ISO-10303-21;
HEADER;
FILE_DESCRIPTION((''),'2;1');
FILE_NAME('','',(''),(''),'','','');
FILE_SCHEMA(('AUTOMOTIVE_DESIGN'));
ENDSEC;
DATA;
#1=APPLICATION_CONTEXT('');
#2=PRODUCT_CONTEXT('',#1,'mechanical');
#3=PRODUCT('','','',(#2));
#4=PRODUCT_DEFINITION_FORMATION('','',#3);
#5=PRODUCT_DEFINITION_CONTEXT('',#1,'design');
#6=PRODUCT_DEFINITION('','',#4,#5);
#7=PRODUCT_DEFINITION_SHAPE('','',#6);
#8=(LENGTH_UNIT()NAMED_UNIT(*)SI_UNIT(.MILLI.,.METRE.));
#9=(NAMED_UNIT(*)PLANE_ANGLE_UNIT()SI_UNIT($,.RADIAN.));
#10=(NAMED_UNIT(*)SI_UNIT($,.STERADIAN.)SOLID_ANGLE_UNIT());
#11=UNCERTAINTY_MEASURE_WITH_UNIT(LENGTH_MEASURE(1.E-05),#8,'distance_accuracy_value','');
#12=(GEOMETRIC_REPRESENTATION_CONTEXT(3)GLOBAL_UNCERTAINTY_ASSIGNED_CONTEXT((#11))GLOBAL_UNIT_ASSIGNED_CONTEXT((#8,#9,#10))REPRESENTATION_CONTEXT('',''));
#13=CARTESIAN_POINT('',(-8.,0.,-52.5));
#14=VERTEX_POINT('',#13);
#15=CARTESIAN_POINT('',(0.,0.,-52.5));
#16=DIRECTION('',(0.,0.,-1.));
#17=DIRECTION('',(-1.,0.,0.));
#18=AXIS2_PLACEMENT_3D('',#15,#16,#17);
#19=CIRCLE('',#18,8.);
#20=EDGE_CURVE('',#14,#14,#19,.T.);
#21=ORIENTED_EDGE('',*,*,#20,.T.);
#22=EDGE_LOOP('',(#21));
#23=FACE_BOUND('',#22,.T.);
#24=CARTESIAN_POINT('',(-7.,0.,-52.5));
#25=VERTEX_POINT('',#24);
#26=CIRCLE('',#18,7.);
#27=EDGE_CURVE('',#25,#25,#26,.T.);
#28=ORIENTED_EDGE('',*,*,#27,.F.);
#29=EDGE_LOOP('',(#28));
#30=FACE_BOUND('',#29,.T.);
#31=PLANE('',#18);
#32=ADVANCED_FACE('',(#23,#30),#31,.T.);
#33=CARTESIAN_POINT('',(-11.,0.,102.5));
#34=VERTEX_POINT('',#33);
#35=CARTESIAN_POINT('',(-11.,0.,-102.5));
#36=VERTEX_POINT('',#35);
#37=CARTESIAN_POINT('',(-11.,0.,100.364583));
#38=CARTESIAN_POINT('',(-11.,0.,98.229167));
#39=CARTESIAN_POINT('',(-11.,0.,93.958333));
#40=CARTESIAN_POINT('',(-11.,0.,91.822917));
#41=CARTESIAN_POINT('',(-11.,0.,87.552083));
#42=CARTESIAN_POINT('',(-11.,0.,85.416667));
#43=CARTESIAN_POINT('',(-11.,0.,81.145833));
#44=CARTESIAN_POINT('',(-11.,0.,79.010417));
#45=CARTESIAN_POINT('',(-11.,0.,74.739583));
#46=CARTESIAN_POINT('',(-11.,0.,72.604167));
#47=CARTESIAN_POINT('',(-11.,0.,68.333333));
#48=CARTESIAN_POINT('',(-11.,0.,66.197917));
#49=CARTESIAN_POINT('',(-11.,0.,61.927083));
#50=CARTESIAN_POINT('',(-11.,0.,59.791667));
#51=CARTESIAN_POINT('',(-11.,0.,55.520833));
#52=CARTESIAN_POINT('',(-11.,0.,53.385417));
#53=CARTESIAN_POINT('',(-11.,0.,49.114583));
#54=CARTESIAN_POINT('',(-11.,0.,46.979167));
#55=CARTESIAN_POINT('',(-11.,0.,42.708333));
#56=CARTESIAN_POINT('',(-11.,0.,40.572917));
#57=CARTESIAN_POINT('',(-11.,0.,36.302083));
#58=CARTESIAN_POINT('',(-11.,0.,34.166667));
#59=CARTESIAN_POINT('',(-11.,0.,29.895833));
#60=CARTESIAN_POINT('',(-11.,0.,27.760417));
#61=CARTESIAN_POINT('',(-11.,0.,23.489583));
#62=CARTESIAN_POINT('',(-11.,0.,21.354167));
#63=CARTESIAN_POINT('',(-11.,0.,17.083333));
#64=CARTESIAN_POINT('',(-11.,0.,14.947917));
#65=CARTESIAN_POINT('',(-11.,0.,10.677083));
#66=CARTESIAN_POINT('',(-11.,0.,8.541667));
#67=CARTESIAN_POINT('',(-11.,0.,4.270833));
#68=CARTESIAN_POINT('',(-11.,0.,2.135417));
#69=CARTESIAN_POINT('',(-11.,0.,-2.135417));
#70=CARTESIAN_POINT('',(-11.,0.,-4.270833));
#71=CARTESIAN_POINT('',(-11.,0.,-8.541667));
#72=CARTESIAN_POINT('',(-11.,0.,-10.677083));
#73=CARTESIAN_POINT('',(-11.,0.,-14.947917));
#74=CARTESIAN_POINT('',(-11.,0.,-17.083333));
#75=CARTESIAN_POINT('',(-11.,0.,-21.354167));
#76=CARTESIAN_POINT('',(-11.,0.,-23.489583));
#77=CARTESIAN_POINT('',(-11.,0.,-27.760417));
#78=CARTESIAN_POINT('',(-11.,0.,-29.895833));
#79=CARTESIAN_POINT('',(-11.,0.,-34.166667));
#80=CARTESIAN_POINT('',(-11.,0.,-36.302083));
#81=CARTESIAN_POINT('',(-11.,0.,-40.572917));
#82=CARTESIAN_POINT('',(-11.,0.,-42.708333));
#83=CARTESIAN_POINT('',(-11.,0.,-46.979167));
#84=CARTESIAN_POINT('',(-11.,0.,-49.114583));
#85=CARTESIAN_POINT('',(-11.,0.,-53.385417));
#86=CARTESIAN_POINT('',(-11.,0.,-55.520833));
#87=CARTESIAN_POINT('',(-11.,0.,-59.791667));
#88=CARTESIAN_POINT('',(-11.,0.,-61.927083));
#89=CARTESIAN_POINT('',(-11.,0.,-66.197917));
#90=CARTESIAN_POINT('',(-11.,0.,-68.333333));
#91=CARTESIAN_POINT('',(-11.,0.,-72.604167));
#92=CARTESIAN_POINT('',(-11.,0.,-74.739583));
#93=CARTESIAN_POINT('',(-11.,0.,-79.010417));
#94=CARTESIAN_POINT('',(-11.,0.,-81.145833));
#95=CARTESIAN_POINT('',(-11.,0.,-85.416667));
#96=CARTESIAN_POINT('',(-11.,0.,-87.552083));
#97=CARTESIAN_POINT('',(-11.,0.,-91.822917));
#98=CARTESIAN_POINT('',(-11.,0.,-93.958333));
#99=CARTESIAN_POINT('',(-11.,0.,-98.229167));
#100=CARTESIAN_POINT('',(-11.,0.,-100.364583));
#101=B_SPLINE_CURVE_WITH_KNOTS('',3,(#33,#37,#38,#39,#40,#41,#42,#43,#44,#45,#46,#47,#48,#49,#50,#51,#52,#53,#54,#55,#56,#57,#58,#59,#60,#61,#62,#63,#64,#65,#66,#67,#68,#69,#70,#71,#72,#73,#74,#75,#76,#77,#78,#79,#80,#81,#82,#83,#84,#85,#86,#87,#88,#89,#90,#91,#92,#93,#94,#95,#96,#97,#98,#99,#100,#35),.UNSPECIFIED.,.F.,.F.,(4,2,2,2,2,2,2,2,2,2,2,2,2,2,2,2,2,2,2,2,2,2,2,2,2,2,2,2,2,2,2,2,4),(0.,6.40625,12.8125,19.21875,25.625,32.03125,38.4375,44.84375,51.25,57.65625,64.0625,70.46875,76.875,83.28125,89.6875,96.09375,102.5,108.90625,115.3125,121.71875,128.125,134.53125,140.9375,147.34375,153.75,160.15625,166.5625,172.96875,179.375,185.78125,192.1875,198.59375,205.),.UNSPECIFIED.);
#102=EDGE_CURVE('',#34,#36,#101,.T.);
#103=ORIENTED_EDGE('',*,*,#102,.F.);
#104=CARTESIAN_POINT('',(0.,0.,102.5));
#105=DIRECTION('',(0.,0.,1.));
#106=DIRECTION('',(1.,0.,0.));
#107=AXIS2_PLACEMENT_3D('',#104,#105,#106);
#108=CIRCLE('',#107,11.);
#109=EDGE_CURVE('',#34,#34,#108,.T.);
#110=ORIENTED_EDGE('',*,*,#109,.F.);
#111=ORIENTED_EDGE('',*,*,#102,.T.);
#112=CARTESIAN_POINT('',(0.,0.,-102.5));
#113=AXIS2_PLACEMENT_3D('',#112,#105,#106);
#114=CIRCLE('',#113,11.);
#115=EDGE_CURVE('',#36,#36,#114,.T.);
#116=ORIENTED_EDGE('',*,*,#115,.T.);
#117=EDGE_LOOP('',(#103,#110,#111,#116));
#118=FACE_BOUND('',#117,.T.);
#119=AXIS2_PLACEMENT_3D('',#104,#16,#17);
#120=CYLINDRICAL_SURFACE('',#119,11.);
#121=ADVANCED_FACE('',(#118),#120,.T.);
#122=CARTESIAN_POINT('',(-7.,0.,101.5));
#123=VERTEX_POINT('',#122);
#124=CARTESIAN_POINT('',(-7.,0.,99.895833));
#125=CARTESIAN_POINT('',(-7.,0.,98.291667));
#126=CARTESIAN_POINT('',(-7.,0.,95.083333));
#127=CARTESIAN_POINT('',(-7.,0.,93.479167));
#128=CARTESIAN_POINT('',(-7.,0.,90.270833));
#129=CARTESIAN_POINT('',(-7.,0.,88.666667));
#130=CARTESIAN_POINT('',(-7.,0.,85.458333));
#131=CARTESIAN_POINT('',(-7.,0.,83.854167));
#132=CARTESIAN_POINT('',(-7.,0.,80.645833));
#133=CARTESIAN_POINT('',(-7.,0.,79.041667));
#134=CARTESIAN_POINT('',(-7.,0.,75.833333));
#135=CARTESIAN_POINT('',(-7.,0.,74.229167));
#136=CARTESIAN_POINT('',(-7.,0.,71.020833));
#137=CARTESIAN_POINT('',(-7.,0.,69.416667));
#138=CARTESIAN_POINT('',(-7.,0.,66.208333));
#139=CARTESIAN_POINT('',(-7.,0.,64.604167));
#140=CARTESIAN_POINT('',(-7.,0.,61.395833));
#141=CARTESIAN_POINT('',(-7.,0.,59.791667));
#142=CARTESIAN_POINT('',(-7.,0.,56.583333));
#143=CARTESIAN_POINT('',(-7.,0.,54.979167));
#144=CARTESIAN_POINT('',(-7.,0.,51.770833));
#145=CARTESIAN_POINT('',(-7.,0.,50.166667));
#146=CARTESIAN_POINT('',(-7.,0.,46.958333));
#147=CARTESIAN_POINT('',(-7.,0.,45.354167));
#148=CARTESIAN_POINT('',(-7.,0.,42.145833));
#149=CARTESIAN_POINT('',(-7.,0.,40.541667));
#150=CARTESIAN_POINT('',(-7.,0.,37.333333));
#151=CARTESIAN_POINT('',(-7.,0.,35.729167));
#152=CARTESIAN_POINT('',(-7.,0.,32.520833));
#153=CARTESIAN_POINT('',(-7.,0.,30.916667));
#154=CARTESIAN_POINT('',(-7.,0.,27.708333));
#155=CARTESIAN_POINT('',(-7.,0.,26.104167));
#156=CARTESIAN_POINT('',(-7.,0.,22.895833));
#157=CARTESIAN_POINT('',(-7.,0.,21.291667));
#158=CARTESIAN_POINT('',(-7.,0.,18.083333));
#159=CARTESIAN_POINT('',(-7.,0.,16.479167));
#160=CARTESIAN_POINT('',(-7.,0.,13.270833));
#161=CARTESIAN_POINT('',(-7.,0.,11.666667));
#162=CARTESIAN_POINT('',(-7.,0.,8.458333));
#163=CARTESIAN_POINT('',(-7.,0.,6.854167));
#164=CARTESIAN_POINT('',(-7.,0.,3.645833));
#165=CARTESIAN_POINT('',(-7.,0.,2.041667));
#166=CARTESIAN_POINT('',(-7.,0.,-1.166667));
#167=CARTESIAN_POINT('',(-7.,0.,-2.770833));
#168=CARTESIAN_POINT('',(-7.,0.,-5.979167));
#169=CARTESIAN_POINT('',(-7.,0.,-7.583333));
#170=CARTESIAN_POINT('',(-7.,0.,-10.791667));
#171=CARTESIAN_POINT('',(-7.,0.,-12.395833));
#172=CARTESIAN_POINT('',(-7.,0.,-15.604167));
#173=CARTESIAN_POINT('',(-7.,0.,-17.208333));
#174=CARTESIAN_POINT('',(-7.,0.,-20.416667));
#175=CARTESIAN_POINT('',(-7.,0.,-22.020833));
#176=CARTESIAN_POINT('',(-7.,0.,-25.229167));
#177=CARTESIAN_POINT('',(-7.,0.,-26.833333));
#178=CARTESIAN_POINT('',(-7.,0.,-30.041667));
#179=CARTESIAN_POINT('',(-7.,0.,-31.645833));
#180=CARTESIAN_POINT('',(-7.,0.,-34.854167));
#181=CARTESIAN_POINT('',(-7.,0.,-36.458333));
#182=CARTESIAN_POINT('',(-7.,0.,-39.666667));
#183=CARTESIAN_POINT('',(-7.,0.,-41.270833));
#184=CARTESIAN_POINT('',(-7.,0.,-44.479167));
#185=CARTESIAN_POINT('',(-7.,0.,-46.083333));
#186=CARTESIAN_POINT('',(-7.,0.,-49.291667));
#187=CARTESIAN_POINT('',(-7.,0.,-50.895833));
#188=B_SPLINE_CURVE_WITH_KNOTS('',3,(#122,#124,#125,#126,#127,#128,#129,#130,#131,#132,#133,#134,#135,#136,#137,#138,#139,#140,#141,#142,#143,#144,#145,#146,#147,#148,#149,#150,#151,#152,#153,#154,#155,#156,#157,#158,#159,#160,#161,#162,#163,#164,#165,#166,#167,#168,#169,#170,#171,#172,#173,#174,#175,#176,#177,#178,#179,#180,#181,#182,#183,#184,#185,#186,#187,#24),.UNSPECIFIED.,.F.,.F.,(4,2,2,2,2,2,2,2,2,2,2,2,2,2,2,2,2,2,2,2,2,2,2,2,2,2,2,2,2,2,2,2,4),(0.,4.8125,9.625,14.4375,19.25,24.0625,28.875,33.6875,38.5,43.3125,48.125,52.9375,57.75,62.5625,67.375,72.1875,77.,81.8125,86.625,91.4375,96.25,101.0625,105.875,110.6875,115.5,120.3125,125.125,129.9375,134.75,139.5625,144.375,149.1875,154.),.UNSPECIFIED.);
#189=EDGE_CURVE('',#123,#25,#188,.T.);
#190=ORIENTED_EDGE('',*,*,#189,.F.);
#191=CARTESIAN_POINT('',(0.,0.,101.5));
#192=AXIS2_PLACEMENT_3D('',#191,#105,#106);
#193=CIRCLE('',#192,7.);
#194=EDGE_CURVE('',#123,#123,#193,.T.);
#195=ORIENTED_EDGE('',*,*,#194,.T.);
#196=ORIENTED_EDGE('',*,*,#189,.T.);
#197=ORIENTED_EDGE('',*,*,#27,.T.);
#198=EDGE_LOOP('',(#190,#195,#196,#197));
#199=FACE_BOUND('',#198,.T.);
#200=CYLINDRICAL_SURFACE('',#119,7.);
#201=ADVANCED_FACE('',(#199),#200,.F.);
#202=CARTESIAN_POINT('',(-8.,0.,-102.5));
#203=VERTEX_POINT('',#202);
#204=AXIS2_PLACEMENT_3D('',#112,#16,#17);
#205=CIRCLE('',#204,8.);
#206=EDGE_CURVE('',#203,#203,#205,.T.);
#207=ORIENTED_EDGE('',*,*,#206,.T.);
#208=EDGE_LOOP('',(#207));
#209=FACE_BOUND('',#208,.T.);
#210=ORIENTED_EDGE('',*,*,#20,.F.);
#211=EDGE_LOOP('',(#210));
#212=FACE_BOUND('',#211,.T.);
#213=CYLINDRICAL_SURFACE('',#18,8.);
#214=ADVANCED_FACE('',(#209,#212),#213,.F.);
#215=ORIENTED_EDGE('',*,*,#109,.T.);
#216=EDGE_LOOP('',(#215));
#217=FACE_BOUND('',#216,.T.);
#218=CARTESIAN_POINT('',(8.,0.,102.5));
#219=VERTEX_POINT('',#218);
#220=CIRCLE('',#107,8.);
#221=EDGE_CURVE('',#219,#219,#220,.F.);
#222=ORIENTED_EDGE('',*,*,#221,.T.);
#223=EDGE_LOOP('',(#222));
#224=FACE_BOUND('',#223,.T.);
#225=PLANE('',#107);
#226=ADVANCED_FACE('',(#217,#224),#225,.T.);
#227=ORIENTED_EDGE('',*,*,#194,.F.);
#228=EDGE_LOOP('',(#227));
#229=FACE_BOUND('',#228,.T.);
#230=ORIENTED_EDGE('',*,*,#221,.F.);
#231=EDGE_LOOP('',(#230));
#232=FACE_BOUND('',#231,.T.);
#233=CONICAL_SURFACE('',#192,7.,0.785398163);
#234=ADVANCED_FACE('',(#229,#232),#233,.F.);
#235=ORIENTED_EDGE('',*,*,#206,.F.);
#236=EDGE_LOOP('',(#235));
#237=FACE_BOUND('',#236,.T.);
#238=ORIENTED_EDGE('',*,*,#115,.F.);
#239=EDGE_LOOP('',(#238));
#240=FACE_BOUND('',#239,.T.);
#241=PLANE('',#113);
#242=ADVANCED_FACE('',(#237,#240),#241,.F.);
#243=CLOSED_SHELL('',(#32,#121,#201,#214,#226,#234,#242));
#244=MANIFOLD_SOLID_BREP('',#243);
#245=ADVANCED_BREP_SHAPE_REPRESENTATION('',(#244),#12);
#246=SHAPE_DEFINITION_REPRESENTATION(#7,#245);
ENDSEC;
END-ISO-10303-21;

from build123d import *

# Parameters (mm, degrees)
SZKIC1_R                    = 11
SZKIC1_R_2                  = 7
DODANIE_WYCI_GNI_CIE1_DEPTH = 102.5
SZKIC2_R                    = 8
WYTNIJ_WYCI_GNI_CIE1_DEPTH  = 50
SFAZOWANIE1_SIZE            = 1


with BuildPart() as part:
    # Szkic1 → Dodanie-wyciągnięcie1 (new, symmetric)
    with BuildSketch(Plane.XY):
        with Locations(Location((0, 0, 0), (0, 0, 180))):
            Circle(SZKIC1_R)
        with Locations(Location((0, 0, 0), (0, 0, 180))):
            Circle(SZKIC1_R_2, mode=Mode.SUBTRACT)
    extrude(amount=DODANIE_WYCI_GNI_CIE1_DEPTH, both=True)

    # Szkic2 → Wytnij-wyciągnięcie1 (cut)
    with BuildSketch(Plane(origin=(0, 0, -102.5), x_dir=(-1, 0, 0), z_dir=(0, 0, -1))):
        Circle(SZKIC2_R)
    extrude(amount=-WYTNIJ_WYCI_GNI_CIE1_DEPTH, mode=Mode.SUBTRACT)

    # Sfazowanie1
    sfazowanie1_edges = [part.edges().sort_by_distance(p)[0] for p in [
        (7, 0, 102.5),
    ]]
    chamfer(sfazowanie1_edges, length=SFAZOWANIE1_SIZE)


solid = part.part
